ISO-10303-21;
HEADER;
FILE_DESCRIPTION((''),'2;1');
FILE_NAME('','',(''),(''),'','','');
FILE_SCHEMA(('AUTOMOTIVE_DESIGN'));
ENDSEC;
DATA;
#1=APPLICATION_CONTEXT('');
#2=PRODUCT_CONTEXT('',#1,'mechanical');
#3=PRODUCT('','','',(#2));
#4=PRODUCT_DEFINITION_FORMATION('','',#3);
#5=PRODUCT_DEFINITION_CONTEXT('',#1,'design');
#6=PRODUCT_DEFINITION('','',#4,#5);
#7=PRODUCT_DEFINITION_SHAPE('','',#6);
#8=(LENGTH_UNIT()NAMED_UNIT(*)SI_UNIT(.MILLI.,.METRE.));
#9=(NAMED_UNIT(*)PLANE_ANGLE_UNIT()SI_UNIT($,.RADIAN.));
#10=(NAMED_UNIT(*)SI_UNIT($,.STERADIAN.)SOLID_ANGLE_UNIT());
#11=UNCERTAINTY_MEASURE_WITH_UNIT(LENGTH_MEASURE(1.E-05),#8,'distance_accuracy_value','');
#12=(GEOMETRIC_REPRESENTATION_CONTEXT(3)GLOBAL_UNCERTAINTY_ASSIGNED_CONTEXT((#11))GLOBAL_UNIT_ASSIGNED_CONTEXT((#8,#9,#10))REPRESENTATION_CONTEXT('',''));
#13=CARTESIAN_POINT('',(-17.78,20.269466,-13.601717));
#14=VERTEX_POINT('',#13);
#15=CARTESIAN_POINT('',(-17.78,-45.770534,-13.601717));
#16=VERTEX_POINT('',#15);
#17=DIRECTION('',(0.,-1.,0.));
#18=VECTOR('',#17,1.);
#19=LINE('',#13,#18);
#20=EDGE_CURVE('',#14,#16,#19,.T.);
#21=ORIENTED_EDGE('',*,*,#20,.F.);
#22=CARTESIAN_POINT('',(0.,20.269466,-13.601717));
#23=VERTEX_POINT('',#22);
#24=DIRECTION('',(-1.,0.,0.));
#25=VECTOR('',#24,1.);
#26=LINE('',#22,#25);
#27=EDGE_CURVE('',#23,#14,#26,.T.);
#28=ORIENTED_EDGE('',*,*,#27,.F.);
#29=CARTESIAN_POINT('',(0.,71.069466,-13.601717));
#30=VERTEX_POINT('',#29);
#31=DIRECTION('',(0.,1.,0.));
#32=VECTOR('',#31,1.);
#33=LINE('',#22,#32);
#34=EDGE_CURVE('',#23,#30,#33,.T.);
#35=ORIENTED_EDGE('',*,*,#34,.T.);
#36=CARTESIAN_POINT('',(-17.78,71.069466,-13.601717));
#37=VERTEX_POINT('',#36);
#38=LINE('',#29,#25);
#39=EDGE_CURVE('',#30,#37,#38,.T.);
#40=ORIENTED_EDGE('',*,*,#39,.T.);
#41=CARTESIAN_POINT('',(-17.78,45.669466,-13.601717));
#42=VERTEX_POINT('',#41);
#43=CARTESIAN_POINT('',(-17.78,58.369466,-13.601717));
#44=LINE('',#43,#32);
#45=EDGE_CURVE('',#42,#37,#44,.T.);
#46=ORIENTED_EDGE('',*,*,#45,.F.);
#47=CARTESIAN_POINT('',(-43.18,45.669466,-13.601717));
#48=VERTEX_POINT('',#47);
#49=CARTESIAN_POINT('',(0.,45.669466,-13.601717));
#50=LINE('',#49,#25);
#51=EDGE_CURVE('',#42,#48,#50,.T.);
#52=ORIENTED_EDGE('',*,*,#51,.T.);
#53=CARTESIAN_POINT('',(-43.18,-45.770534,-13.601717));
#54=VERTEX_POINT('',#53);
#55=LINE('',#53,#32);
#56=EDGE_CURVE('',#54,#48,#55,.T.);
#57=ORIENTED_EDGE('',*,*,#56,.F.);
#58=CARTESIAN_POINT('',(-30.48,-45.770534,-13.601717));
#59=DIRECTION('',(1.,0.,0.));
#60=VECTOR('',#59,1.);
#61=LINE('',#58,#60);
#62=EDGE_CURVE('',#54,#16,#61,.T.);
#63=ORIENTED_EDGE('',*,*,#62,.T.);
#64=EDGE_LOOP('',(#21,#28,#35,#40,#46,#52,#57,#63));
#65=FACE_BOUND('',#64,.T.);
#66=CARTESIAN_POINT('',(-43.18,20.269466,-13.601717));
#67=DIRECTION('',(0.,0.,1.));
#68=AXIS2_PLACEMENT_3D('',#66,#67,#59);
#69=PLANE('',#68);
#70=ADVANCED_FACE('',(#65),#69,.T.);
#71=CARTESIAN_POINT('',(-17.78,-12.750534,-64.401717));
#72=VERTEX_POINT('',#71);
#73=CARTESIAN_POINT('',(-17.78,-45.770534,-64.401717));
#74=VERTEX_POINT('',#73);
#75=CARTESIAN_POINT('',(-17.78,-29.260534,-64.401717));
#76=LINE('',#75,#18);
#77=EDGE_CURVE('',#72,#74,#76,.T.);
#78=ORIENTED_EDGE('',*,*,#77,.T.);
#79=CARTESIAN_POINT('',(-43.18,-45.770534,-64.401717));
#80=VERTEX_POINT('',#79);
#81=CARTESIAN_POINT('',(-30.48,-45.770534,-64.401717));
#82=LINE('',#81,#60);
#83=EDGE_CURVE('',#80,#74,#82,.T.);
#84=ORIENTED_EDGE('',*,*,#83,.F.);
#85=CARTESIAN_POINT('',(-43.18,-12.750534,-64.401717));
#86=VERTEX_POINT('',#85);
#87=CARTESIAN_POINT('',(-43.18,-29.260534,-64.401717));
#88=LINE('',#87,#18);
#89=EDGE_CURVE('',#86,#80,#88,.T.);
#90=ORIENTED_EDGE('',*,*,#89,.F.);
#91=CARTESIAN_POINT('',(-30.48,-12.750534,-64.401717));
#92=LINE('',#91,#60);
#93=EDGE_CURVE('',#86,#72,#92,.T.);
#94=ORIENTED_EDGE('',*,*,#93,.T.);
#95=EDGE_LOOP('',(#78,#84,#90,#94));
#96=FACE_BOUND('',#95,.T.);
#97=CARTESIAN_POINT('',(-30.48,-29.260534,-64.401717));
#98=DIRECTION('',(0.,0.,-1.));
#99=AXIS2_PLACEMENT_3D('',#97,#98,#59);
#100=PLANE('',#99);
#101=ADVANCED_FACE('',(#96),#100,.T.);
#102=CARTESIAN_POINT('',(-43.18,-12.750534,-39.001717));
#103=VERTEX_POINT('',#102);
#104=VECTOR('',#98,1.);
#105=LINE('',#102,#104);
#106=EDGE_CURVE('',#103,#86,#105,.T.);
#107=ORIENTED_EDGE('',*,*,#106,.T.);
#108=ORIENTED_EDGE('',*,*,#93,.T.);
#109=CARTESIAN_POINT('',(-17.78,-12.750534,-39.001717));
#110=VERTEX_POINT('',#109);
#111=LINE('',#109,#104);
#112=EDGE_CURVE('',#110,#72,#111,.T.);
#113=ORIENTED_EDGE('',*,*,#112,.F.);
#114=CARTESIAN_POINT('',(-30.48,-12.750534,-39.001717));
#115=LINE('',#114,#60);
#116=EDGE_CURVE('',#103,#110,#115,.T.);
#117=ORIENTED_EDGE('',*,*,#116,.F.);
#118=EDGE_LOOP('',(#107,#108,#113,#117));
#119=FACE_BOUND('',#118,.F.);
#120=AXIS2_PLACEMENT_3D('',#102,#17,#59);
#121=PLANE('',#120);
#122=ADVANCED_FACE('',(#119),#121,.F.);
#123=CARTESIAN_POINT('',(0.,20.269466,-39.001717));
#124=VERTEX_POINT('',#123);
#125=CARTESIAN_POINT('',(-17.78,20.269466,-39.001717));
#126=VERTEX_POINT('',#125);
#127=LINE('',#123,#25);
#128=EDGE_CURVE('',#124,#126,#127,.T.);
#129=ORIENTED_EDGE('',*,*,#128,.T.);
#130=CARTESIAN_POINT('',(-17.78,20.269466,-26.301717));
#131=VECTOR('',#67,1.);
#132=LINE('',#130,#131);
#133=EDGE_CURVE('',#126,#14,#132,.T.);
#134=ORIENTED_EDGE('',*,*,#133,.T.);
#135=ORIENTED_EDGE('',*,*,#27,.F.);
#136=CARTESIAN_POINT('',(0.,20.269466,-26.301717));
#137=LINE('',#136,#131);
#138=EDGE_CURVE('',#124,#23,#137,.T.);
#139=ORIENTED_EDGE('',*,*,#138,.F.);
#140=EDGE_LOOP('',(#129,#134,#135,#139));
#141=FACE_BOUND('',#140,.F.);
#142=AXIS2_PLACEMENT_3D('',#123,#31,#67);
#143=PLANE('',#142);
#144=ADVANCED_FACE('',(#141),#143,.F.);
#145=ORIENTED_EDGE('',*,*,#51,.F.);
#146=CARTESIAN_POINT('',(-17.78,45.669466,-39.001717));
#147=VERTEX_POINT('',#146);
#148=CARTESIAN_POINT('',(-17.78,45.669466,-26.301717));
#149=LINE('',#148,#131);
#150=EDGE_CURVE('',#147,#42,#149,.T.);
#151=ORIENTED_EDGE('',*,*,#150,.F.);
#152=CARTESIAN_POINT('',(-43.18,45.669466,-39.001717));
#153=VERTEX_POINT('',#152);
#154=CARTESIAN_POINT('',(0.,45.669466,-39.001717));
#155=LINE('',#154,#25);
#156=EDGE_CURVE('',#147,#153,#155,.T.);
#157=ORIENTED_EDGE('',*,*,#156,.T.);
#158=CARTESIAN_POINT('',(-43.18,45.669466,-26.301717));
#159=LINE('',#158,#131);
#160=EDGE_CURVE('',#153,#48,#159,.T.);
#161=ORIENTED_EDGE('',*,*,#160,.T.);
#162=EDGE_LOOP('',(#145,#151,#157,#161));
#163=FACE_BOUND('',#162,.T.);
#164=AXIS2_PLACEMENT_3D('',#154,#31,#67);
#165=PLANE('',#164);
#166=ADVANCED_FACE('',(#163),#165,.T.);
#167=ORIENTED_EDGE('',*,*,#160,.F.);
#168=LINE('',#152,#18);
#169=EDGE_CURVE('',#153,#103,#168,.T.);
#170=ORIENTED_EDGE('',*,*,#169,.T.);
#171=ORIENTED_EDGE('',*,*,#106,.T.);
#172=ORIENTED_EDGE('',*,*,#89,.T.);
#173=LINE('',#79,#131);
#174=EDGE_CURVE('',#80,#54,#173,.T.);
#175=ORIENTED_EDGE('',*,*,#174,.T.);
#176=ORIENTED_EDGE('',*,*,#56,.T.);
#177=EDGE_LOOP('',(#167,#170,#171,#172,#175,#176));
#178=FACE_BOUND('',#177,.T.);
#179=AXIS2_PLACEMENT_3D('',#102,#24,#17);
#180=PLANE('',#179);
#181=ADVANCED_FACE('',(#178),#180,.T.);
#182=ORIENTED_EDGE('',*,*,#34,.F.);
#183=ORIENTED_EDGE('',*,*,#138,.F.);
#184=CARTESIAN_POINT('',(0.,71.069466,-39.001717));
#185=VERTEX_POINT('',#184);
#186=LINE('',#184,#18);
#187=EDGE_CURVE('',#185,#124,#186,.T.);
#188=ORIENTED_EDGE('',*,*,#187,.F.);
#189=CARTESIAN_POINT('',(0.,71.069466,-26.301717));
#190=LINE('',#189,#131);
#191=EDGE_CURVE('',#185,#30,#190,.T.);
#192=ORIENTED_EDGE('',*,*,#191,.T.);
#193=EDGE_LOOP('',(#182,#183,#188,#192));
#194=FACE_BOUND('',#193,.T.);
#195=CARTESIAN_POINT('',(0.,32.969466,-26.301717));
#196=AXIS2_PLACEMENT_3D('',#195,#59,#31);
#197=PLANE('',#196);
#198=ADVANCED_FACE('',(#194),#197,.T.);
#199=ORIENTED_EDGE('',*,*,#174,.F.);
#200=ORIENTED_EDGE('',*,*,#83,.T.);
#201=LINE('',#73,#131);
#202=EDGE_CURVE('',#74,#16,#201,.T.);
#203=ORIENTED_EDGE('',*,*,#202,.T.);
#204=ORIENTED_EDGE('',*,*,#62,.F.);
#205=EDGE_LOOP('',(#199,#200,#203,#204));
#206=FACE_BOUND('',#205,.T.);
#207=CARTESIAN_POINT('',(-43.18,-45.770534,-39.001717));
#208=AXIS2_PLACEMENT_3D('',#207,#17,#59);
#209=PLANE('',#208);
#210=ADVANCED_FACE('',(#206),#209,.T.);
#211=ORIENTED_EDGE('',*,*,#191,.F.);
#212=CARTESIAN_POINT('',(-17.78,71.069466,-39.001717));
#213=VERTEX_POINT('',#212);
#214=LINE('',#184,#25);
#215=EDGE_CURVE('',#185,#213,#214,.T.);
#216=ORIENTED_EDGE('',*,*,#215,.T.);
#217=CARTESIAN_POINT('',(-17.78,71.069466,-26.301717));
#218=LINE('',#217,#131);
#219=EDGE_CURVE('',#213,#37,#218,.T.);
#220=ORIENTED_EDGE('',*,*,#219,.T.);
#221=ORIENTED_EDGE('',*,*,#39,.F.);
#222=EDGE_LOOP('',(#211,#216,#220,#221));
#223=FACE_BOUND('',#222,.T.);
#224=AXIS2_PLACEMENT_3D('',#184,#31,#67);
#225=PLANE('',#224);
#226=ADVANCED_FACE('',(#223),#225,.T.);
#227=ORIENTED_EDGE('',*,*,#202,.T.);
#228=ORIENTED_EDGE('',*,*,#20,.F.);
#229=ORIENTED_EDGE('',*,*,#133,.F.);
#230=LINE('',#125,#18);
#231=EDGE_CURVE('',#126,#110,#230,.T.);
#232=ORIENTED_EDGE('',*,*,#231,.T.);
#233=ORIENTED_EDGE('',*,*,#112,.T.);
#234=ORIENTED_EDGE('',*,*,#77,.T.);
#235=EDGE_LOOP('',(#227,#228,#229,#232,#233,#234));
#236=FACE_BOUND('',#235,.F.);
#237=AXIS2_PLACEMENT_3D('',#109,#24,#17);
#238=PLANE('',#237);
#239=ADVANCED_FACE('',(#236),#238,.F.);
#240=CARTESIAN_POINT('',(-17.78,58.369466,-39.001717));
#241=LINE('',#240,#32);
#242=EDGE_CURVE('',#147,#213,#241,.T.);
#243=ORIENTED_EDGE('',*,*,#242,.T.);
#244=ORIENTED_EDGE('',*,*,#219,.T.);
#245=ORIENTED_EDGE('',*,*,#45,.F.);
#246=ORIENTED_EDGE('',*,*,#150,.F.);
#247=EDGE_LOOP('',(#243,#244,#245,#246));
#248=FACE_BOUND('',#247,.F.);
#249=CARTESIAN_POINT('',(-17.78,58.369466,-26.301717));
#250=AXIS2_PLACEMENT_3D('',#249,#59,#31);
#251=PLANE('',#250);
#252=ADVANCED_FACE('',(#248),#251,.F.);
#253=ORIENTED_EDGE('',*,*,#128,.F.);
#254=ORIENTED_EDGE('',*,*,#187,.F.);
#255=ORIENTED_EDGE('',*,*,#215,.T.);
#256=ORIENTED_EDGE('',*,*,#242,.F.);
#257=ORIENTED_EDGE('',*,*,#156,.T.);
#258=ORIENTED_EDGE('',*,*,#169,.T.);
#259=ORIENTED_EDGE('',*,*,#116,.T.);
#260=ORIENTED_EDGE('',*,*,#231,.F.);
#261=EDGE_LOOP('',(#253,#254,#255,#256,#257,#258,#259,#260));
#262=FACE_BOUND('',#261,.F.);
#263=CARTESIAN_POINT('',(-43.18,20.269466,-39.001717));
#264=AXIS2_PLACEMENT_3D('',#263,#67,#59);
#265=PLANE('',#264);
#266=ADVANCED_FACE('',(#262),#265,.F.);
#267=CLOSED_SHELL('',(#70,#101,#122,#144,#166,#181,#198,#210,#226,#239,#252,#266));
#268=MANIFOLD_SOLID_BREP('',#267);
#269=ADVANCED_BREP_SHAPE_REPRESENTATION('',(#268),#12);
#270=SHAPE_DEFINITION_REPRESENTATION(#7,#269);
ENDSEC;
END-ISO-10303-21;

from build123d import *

# Parameters (mm, degrees)
F0_W     = 25.4
F0_H     = 25.4
F1_DEPTH = 17.78
F2_DEPTH = 43.18
F3_W     = 25.4
F3_H     = 25.4
F4_DEPTH = 66.04
F5_W     = 25.4
F5_H     = 33.02
F6_DEPTH = 25.4


with BuildPart() as f1:
    # F0 (on Right) → F1 (new body)
    with BuildSketch(Plane.YZ):
        with Locations((58.3694662571, -26.3017169727)):
            Rectangle(F0_W, F0_H)
    extrude(amount=-F1_DEPTH)

    # F0 (on Right) → F2 (join)
    with BuildSketch(Plane.YZ):
        with Locations((32.9694662571, -26.3017169727)):
            Rectangle(F0_W, F0_H)
    extrude(amount=-F2_DEPTH)

    # F3 (on face) → F4 (join)
    with BuildSketch(Plane.XZ.offset(-20.2694662571)):
        with Locations((-30.48, -26.3017169727)):
            Rectangle(F3_W, F3_H)
    extrude(amount=F4_DEPTH)

    # F5 (on face) → F6 (join)
    with BuildSketch(Plane(origin=(0, 0, -39.0017169727), x_dir=(1, 0, 0), z_dir=(0, 0, -1))):
        with Locations((-30.48, 29.2605337429)):
            Rectangle(F5_W, F5_H)
    extrude(amount=F6_DEPTH)


solid = f1.part
